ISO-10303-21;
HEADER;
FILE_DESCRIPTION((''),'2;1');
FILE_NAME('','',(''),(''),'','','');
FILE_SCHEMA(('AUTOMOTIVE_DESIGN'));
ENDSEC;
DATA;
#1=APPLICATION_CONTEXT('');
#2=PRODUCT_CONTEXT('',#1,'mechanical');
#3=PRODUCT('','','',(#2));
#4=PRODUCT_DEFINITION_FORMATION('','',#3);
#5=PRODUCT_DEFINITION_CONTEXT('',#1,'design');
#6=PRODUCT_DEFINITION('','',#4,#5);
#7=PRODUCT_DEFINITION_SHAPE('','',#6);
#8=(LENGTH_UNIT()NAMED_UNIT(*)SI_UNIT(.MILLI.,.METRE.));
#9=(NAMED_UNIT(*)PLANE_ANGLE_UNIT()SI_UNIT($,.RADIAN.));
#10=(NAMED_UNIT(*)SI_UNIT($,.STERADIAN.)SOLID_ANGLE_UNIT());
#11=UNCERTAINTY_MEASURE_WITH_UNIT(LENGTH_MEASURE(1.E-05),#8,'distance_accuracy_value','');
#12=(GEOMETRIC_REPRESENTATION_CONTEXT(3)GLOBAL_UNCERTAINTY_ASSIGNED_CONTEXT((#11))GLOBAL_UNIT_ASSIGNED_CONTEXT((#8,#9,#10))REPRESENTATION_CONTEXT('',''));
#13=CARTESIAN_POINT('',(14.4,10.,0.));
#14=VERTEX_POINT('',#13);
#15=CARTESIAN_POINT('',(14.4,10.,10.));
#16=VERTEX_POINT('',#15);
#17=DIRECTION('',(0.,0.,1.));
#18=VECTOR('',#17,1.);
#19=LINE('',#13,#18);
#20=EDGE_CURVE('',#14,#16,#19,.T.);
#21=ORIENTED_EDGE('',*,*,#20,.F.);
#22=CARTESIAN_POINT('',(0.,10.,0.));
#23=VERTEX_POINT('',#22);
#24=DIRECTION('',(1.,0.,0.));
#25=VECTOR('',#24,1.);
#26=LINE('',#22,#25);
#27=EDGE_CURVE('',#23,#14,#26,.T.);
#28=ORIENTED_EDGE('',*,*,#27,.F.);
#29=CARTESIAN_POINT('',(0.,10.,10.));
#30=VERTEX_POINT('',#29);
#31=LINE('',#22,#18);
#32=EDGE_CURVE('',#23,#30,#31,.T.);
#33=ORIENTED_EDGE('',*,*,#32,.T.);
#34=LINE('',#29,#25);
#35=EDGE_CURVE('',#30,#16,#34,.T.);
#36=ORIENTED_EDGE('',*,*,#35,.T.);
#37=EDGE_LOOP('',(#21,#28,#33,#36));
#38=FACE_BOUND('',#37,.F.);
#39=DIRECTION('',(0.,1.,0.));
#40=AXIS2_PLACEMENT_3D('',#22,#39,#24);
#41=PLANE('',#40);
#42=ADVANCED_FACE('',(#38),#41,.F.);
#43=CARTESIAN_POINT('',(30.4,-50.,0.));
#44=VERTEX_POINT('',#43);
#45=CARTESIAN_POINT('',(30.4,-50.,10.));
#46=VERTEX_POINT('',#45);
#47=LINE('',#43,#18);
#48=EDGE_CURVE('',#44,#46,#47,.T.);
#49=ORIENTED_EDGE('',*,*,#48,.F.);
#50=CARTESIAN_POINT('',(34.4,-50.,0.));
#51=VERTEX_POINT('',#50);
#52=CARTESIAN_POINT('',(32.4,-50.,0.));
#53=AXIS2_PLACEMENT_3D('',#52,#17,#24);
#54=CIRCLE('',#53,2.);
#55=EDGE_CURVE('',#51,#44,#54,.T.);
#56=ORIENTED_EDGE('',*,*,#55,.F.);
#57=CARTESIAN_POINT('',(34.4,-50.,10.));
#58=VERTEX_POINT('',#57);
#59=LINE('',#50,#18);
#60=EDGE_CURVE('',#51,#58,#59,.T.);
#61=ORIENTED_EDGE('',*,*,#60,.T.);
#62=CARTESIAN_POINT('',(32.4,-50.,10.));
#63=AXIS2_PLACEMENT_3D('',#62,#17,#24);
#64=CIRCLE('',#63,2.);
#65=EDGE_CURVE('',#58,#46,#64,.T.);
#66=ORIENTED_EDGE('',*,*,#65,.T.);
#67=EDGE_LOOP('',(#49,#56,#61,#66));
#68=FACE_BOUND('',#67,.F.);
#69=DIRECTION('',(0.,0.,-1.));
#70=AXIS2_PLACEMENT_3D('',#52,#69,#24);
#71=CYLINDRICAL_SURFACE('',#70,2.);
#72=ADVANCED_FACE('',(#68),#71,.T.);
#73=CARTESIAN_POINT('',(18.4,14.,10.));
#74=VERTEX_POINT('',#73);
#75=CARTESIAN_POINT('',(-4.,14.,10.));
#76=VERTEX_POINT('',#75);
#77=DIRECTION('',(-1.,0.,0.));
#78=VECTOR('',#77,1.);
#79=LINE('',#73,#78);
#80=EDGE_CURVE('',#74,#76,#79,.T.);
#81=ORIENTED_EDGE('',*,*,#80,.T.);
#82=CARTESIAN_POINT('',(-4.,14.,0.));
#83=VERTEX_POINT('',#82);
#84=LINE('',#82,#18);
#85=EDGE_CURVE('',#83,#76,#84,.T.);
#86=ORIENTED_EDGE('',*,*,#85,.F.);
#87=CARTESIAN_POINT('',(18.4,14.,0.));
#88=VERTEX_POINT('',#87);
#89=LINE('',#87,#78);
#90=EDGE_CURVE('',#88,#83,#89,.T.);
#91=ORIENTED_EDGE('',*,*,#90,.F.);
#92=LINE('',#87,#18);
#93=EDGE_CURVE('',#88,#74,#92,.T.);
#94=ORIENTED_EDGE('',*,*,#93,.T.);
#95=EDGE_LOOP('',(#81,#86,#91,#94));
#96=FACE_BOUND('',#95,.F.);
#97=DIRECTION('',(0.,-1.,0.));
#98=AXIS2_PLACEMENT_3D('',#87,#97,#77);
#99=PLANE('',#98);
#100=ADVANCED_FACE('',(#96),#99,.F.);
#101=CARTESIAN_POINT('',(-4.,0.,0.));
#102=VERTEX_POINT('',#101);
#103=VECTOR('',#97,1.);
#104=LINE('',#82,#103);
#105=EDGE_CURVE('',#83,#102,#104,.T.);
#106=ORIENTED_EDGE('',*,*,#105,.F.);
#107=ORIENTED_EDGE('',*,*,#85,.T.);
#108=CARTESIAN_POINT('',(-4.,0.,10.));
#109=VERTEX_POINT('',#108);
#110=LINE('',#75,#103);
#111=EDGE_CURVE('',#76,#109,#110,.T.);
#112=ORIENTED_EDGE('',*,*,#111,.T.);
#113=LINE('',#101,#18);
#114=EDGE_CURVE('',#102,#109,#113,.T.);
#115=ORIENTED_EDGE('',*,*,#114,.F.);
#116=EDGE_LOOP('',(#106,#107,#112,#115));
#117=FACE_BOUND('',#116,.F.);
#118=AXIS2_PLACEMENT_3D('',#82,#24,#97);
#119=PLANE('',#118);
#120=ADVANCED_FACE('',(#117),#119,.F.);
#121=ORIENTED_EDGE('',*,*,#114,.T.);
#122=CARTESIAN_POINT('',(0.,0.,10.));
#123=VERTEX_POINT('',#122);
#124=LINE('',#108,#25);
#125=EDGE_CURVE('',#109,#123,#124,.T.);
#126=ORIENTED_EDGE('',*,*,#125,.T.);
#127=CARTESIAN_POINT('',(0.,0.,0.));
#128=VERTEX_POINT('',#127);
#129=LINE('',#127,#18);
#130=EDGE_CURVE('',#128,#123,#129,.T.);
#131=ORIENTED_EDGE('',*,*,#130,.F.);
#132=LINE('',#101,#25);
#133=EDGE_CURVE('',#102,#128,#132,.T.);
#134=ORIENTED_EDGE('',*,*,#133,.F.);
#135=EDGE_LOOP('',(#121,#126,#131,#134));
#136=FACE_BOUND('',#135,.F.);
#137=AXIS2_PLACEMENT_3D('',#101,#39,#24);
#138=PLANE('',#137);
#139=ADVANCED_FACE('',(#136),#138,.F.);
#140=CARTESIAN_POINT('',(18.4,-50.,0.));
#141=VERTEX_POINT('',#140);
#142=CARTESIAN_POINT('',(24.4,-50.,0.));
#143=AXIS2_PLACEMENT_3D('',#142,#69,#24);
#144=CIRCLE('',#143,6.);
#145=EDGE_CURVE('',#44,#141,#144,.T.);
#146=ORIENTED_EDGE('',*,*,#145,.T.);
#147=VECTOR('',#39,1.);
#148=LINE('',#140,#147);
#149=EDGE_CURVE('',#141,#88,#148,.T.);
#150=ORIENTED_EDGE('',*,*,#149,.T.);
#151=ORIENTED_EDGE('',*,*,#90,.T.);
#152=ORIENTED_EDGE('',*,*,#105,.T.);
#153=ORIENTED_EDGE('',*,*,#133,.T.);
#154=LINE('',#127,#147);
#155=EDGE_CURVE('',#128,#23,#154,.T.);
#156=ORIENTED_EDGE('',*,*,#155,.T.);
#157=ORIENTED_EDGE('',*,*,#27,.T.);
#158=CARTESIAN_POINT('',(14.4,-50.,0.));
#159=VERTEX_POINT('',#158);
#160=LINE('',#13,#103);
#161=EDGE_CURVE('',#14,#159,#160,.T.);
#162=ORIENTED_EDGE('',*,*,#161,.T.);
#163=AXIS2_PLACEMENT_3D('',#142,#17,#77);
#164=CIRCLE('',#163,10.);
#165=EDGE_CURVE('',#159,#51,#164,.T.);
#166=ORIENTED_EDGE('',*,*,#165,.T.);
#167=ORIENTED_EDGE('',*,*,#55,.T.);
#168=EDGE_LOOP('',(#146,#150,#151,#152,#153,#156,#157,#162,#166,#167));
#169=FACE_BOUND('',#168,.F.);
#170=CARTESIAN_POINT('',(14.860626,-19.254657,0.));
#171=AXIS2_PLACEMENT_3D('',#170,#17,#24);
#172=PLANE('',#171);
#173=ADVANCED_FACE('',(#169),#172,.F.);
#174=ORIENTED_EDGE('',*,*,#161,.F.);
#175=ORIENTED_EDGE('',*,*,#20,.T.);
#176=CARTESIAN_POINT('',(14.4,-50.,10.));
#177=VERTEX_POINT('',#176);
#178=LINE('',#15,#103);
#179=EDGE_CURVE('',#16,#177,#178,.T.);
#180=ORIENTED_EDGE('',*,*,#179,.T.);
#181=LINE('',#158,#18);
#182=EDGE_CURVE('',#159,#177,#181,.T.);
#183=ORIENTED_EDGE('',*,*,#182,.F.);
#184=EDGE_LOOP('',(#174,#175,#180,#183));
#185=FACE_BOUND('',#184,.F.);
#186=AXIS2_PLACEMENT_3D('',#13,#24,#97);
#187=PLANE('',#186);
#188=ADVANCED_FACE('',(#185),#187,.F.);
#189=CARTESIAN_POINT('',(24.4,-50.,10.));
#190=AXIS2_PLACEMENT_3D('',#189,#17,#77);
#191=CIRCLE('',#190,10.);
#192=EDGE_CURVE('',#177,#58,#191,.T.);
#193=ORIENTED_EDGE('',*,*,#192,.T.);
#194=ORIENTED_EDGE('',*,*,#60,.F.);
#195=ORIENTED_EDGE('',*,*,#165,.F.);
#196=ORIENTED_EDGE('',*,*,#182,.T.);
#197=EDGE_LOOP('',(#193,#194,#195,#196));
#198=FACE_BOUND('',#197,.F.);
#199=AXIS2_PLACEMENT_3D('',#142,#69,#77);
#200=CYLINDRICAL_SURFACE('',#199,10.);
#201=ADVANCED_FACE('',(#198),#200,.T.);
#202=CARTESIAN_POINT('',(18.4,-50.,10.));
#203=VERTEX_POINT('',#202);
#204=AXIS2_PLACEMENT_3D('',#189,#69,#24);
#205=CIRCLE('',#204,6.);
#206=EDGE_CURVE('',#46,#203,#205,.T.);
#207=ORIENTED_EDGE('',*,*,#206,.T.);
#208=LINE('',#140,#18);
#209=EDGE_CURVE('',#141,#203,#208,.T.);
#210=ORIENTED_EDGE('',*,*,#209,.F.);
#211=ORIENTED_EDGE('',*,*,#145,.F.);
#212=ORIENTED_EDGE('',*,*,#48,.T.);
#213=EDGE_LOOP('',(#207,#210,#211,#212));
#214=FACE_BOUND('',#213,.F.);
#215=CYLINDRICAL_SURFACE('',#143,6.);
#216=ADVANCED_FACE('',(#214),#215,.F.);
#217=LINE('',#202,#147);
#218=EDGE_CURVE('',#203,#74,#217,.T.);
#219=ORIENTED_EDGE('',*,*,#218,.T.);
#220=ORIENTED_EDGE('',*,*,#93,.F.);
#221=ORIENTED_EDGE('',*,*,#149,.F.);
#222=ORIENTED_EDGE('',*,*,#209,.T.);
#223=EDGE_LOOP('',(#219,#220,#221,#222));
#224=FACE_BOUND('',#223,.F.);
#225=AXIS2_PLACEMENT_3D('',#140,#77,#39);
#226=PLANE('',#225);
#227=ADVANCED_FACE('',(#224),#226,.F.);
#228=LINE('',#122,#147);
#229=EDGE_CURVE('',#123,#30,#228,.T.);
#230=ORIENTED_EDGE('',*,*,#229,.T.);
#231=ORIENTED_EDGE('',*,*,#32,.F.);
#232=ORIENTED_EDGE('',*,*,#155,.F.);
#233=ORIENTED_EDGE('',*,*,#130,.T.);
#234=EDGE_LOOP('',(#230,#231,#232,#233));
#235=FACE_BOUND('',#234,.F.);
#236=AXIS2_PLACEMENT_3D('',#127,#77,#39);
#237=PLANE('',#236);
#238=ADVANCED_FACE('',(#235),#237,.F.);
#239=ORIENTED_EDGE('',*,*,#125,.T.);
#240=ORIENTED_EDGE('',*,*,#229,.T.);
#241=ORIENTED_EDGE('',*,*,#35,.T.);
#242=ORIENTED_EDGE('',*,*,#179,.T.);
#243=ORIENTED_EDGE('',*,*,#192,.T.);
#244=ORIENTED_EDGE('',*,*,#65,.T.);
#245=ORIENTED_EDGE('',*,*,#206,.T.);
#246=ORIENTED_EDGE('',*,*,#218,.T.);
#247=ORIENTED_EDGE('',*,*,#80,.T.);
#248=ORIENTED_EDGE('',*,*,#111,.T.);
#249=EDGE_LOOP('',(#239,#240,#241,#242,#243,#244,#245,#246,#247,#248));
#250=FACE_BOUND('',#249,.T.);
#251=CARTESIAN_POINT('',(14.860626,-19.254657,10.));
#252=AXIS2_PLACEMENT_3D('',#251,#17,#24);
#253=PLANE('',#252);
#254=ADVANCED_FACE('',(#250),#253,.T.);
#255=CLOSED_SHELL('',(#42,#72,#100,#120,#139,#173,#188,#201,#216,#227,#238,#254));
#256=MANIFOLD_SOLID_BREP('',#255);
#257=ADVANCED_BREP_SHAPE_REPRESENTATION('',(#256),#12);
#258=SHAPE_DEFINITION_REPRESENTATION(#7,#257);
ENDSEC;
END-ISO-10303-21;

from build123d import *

# Parameters (mm, degrees)
F1_DEPTH = 10


with BuildPart() as f1:
    # F0 (on Top) → F1 (new body)
    with BuildSketch(Plane.XY):
        with BuildLine():
            Line((-4, 0), (0, 0))
            Line((0, 0), (0, 10))
            Line((0, 10), (14.4, 10))
            Line((14.4, 10), (14.4, -50))
            ThreePointArc((14.4, -50), (24.4, -60), (34.4, -50))
            ThreePointArc((34.4, -50), (32.4, -48), (30.4, -50))
            ThreePointArc((30.4, -50), (24.4, -56), (18.4, -50))
            Line((18.4, -50), (18.4, 14))
            Line((18.4, 14), (-4, 14))
            Line((-4, 14), (-4, 0))
        make_face()
    extrude(amount=F1_DEPTH)


solid = f1.part
